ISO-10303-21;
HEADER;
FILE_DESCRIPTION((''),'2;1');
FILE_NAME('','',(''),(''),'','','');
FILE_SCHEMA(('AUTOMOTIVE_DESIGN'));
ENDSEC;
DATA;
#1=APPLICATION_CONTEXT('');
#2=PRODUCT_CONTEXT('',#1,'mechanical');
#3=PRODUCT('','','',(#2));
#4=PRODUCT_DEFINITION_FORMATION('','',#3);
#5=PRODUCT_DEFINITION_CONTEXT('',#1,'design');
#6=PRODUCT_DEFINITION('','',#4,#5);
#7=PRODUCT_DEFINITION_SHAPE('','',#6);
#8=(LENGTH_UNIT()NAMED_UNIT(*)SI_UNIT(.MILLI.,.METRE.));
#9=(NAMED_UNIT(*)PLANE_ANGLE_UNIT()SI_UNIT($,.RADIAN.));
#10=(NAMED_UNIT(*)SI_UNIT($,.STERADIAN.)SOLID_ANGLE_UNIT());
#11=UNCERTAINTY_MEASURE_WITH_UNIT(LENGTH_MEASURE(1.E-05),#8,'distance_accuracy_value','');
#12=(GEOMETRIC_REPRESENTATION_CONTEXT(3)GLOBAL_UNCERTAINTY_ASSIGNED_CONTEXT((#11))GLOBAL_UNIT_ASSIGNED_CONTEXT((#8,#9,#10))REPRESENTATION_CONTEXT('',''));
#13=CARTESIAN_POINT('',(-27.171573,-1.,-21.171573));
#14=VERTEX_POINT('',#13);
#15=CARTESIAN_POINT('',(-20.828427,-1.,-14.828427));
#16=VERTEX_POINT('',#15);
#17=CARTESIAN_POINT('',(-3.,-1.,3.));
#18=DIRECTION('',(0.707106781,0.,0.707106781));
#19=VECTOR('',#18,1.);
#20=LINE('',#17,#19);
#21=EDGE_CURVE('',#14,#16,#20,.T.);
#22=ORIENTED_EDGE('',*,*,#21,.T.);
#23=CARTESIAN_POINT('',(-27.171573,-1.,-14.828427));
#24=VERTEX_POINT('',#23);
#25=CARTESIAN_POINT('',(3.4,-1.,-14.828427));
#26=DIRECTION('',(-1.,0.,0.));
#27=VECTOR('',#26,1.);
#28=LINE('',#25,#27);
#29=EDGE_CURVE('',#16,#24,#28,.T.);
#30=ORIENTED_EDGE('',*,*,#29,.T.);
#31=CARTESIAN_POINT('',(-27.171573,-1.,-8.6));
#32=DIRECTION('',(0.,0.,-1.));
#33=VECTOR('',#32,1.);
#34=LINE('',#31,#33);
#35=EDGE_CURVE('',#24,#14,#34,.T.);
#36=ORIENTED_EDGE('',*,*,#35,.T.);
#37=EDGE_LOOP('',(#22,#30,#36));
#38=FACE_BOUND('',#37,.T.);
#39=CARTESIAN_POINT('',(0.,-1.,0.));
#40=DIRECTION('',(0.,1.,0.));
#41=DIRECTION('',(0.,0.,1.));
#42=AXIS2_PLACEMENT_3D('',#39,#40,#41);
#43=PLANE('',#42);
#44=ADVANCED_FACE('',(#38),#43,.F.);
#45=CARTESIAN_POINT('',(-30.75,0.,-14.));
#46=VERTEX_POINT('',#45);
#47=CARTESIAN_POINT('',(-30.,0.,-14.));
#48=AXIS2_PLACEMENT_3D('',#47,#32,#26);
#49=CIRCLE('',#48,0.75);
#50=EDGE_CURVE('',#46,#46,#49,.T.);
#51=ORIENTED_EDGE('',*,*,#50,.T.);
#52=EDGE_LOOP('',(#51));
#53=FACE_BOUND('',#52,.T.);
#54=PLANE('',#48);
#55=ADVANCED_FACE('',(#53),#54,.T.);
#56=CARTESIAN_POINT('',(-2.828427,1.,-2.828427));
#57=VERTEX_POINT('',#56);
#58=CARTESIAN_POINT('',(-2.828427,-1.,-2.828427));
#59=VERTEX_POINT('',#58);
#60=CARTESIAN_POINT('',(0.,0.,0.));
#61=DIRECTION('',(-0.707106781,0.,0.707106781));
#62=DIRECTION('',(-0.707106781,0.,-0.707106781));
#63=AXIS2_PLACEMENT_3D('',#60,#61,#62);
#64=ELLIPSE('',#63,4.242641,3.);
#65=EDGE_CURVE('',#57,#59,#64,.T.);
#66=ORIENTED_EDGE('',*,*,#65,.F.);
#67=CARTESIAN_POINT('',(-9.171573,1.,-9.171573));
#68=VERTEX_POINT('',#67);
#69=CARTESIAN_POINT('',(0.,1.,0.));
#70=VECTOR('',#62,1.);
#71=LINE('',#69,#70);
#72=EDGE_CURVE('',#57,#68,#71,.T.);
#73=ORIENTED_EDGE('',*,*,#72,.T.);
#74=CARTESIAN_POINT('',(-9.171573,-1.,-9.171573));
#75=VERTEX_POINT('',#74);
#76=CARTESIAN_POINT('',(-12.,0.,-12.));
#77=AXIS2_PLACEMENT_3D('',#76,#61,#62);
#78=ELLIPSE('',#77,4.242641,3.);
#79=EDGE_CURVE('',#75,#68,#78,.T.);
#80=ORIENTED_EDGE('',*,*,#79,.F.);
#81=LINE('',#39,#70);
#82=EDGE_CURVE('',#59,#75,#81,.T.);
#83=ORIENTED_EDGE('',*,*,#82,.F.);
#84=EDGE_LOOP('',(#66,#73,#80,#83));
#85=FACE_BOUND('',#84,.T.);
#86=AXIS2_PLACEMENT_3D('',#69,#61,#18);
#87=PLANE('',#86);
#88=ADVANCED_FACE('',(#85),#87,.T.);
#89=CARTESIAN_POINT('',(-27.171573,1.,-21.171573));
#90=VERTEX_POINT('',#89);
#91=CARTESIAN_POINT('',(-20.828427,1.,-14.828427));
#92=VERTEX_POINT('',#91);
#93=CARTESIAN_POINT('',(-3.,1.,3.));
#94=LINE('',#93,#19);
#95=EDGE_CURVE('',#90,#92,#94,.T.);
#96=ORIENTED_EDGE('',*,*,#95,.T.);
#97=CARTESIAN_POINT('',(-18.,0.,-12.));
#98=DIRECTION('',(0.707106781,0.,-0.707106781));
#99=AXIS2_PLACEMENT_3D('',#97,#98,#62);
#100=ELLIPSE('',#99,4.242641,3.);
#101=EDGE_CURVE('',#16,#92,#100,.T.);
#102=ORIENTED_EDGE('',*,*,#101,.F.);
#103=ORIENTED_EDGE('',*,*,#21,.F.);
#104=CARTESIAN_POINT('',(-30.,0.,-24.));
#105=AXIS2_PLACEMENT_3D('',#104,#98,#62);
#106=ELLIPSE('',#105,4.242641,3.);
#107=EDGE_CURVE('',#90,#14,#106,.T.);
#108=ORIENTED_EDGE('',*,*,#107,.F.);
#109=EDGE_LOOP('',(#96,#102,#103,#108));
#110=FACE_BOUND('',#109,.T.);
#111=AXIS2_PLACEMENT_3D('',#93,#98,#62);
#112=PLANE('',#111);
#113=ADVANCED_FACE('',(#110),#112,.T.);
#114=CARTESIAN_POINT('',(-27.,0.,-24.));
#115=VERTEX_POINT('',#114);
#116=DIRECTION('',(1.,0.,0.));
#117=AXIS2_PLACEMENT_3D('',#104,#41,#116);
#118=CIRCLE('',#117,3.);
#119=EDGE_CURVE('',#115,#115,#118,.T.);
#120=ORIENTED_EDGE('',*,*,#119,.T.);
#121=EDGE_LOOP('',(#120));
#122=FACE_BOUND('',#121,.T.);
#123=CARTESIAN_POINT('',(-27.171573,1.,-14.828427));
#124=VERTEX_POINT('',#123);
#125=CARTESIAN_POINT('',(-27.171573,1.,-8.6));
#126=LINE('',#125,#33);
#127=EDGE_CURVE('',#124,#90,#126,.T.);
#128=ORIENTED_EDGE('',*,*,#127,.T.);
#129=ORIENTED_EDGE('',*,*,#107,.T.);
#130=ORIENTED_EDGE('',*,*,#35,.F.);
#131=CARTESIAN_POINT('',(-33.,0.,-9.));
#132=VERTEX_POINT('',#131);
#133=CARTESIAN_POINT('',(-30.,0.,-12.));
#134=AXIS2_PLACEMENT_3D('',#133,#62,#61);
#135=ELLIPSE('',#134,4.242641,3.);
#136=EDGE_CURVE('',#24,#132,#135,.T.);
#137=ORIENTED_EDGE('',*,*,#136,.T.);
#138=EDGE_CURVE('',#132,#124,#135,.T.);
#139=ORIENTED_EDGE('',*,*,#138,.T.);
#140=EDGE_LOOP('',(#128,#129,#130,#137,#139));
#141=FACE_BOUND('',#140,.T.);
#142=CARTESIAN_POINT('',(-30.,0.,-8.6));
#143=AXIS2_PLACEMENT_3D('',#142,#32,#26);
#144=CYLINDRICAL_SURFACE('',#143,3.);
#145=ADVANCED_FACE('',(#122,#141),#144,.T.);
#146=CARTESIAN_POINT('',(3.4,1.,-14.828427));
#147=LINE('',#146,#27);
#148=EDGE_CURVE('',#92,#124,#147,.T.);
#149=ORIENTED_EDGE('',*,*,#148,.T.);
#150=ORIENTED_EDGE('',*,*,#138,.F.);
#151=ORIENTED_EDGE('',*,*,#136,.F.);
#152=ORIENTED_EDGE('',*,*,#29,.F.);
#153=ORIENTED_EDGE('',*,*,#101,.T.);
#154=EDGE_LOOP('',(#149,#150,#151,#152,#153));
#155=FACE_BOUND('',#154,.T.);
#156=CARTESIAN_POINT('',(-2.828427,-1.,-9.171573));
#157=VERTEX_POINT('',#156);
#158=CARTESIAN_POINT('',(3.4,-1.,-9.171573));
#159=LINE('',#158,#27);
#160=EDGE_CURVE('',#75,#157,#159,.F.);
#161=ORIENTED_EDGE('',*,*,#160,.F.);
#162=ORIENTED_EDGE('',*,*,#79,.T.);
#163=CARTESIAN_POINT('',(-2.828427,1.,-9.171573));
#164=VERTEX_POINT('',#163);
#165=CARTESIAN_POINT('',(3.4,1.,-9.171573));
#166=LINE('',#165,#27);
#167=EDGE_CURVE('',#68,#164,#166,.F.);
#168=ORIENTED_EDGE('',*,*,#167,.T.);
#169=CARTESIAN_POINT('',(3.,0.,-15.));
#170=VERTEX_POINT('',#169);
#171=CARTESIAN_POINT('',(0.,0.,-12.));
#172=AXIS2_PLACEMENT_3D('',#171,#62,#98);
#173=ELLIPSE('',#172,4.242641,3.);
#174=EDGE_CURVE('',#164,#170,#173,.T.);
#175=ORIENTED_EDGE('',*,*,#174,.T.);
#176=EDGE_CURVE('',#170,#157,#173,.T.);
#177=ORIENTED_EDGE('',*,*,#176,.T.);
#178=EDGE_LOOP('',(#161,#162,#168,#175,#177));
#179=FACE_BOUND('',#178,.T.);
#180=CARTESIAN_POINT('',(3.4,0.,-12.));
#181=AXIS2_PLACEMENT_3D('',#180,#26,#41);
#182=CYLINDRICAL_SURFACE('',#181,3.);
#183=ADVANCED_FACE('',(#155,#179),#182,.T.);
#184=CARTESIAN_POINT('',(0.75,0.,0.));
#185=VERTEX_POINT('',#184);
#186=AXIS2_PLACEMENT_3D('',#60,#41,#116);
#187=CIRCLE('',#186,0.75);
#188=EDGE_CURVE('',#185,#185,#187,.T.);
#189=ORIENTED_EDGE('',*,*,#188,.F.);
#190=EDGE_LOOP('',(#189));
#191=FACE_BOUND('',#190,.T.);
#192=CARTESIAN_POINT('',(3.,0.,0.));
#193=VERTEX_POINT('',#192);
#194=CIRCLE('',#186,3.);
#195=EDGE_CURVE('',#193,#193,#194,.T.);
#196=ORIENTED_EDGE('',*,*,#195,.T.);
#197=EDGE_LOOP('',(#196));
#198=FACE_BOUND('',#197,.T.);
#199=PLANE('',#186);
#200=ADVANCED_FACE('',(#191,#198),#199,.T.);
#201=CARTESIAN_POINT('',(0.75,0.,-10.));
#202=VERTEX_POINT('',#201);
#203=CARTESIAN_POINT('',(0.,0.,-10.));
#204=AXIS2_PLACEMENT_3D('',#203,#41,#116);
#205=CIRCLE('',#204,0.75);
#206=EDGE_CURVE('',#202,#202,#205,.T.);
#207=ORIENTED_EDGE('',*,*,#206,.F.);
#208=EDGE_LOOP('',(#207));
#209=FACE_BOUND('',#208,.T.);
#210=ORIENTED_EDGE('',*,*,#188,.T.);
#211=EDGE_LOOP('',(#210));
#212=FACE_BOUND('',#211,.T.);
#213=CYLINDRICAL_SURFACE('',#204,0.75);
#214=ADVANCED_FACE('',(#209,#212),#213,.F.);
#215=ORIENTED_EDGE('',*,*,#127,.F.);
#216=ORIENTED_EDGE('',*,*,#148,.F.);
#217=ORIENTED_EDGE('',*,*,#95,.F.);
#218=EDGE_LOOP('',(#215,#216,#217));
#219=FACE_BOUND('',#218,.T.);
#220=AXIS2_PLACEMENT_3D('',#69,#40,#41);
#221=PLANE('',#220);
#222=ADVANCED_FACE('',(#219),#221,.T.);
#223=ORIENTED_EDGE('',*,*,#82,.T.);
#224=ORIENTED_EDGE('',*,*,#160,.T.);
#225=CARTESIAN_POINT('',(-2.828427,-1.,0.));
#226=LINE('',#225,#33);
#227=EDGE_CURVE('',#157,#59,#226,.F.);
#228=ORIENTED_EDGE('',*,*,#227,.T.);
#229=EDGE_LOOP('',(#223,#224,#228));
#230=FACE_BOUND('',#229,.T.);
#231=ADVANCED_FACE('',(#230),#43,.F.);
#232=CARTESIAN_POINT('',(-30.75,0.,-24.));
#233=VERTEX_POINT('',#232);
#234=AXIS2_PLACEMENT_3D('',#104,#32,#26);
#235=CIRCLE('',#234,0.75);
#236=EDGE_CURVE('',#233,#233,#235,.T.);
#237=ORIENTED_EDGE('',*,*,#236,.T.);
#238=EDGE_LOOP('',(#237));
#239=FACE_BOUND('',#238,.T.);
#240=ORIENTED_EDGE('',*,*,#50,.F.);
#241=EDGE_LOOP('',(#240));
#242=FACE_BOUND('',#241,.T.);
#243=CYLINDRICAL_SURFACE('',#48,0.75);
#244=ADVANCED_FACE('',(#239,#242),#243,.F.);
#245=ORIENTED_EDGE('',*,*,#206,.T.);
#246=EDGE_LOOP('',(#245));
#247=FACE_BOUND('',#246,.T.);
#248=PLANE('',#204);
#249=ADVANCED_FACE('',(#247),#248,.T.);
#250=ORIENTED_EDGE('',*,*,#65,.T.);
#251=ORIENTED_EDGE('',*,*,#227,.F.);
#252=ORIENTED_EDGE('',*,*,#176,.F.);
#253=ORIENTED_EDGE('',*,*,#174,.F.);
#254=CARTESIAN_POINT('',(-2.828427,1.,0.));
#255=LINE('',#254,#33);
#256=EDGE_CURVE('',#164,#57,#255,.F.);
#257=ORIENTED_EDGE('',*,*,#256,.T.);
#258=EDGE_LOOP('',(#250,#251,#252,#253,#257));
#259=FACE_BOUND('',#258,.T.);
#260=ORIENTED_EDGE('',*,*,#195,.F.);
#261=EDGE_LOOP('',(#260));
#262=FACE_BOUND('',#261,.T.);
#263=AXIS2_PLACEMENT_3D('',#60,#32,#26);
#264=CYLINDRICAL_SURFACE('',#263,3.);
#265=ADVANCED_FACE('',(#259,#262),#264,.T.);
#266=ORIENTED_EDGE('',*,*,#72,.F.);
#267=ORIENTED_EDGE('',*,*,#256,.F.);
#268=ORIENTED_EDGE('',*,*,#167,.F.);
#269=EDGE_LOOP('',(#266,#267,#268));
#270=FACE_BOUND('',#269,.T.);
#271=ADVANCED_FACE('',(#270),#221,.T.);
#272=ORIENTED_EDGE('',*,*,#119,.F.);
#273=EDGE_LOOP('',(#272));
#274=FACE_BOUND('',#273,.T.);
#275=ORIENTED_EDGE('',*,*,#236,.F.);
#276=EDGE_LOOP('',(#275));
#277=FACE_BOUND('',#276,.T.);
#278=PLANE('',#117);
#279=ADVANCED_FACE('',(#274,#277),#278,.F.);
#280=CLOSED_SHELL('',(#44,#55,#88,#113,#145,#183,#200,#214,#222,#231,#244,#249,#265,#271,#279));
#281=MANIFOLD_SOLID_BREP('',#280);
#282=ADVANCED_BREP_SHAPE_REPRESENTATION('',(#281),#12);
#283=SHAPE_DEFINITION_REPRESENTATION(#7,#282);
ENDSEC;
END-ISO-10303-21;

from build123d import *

# Parameters (mm, degrees)
SKETCH1_R           = 3
BOSS_EXTRUDE1_DEPTH = 1
SKETCH5_R           = 0.75
CUT_EXTRUDE1_DEPTH  = 10
SKETCH6_R           = 0.75
CUT_EXTRUDE2_DEPTH  = 10


with BuildPart() as part:
    # Sweep1: sweep along a path in Sketch3
    with BuildLine(Plane(origin=(0, 0, 0), x_dir=(1, 0, 0), z_dir=(0, 1, 0))) as sweep1_path:
        Line((0, 0), (0, 12))
        Line((0, 12), (-30, 12))
        Line((-30, 12), (-30, 24))
    # Sketch1 → Sweep1 (sweep)
    with BuildSketch(Plane.XY):
        Circle(SKETCH1_R)
    sweep(path=sweep1_path.line, transition=Transition.RIGHT)

    # Sketch4 → Boss-Extrude1 (add, symmetric)
    with BuildSketch(Plane(origin=(0, 0, 0), x_dir=(1, 0, 0), z_dir=(0, 1, 0))):
        Polygon((-30, 12), (-18, 12), (-30, 24), align=None)
        Polygon((-12, 12), (0, 0), (0, 12), align=None)
    extrude(amount=BOSS_EXTRUDE1_DEPTH, both=True)

    # Sketch5 → Cut-Extrude1 (cut)
    with BuildSketch(Plane.XY):
        Circle(SKETCH5_R)
    extrude(amount=-CUT_EXTRUDE1_DEPTH, mode=Mode.SUBTRACT)

    # Sketch6 → Cut-Extrude2 (cut)
    with BuildSketch(Plane(origin=(0, 0, -24), x_dir=(-1, 0, 0), z_dir=(0, 0, -1))):
        with Locations((30, 0)):
            Circle(SKETCH6_R)
    extrude(amount=-CUT_EXTRUDE2_DEPTH, mode=Mode.SUBTRACT)


solid = part.part
